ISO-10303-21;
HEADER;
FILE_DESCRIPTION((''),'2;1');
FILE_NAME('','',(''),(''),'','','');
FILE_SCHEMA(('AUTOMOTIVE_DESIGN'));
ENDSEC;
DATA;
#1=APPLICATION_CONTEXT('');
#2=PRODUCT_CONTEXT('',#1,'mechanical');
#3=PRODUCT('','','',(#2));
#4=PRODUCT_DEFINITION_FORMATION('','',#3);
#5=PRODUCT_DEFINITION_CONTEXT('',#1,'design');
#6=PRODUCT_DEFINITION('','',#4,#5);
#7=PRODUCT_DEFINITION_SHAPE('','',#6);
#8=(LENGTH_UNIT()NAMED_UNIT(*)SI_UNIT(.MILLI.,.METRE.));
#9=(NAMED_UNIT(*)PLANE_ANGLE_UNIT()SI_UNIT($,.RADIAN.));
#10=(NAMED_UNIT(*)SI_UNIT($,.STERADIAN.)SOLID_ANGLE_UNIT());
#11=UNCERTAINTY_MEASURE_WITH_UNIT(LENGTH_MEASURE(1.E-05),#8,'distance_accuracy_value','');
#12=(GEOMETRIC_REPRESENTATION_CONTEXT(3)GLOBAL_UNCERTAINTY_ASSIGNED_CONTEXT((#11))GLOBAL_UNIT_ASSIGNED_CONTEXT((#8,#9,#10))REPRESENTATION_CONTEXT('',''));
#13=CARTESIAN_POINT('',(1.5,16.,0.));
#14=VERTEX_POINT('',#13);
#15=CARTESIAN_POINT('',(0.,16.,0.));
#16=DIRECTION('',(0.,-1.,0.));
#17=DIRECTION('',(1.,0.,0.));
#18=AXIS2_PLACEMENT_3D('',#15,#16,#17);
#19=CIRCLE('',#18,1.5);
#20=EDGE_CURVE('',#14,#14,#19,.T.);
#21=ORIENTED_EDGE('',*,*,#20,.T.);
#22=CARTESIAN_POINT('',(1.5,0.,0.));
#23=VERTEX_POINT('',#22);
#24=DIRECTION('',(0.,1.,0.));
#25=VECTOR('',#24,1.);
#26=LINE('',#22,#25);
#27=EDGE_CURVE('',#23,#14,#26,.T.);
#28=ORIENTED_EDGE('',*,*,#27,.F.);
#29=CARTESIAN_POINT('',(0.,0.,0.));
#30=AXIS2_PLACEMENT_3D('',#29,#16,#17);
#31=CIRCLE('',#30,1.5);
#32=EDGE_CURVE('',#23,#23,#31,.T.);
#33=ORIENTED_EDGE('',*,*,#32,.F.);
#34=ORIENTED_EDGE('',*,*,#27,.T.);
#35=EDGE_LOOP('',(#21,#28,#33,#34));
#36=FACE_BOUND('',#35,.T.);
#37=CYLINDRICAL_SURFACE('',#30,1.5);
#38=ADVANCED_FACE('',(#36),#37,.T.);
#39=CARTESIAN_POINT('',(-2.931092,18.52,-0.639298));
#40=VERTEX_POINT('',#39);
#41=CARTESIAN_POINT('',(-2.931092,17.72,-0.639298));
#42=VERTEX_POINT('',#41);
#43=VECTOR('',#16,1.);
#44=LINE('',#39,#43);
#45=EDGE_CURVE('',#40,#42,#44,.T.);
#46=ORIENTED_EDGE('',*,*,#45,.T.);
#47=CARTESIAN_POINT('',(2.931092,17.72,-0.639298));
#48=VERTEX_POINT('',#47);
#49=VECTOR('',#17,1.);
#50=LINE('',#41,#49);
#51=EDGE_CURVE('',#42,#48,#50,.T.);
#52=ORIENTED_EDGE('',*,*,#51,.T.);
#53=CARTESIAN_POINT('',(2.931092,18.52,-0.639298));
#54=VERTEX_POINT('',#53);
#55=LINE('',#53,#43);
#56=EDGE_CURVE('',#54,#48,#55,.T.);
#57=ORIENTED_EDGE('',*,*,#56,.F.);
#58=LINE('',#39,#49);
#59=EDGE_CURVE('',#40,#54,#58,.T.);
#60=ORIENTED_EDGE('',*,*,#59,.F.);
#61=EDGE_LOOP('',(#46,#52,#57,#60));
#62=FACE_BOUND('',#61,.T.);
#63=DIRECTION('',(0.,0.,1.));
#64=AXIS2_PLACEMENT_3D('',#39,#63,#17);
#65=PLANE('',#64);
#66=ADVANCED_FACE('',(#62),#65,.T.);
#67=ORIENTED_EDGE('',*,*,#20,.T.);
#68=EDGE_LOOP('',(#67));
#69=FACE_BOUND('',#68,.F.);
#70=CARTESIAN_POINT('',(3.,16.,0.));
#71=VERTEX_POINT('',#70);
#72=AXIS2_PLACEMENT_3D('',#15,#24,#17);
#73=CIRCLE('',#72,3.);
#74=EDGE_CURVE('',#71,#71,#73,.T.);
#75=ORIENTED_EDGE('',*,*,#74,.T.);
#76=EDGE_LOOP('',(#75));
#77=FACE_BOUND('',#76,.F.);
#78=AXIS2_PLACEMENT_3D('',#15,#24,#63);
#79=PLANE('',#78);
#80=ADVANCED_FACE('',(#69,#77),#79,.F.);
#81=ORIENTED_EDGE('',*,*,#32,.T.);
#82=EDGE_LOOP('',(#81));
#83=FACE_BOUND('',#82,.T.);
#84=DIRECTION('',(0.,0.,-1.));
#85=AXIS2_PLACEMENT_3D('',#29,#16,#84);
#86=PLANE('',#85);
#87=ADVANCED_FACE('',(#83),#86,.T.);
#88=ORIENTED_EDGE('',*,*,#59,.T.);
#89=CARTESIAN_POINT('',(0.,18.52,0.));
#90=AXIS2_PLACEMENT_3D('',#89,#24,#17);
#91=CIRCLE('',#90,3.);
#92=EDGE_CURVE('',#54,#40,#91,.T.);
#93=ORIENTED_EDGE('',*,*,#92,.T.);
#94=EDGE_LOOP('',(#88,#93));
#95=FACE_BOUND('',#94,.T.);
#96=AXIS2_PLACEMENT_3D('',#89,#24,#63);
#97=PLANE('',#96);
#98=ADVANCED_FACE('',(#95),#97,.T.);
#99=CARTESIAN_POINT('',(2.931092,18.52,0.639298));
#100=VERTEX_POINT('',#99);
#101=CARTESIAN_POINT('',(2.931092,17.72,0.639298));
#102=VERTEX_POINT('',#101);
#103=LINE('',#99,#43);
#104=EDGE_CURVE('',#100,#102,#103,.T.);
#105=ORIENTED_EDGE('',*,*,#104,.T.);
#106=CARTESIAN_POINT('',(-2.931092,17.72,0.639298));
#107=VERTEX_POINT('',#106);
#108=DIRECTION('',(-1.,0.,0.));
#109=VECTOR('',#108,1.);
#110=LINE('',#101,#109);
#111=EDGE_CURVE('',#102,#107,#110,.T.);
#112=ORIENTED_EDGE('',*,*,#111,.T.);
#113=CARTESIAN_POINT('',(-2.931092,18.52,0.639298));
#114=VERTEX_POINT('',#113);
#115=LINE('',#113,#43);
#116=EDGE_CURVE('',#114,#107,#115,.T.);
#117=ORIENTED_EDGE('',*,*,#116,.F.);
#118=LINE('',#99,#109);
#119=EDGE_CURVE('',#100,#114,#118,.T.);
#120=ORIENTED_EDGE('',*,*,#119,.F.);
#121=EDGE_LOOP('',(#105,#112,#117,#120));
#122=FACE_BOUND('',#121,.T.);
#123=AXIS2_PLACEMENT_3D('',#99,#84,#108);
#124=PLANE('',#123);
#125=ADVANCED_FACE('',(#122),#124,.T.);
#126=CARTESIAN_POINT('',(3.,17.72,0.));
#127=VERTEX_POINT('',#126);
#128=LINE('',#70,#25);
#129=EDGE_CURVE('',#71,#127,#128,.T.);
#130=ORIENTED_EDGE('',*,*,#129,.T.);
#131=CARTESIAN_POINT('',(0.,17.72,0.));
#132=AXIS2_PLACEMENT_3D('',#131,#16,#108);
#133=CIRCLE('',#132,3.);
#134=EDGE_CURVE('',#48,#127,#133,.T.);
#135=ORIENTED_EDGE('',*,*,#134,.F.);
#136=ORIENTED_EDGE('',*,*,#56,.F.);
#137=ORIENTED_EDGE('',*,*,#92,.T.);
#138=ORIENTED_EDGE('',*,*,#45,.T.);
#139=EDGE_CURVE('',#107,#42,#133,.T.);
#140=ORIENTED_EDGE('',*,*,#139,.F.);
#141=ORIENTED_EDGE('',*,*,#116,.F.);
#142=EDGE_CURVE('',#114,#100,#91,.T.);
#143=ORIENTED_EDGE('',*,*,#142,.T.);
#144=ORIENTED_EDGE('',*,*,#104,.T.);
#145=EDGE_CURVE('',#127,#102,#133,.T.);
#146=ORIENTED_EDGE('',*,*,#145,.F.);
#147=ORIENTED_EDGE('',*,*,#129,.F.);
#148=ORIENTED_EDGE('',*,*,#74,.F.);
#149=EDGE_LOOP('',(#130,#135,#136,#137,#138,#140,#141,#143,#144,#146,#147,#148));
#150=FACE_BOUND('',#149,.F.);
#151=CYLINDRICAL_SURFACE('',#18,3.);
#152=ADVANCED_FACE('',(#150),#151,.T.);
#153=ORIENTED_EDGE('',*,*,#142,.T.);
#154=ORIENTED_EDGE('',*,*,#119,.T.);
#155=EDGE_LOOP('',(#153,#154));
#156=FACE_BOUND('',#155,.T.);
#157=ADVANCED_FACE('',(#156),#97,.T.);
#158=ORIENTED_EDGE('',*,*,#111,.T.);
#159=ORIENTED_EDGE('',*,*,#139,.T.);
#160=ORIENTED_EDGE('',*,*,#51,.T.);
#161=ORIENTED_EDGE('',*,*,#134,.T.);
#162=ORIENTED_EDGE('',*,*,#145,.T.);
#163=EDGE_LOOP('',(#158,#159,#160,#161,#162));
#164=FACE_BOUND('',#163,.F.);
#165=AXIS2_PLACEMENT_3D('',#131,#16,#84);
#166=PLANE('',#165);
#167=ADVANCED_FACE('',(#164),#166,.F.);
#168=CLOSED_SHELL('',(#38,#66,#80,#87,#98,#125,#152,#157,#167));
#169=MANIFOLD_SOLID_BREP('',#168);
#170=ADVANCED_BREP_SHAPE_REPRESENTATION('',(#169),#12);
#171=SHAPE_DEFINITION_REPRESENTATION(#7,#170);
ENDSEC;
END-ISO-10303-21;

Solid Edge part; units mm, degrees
sketch "Sketch1" plane through (0, 0, 0) normal (0, -1, 0) x (1, 0, 0)
  circle A0 centre (0, 0) radius 1.5
extrude "Protrusion1" add sketch "Sketch1" against normal blind 16
sketch "Sketch2" plane through (0, 16, 0) normal (0, 1, 0) x (1, 0, 0)
  circle A0 centre (0, 0) radius 3
extrude "ExtrudedProtrusion_2" add sketch "Sketch2" along normal blind 2.52
sketch "Sketch3" plane through (0, 18.52, 0) normal (0, 1, 0) x (-1, 0, 0)
  line L0 (-2.9311, 0.6393) -> (2.9311, 0.6393)
  arc A0 (2.9311, 0.6393) -> (2.9311, -0.6393) centre (0, 0) cw
  line L1 (2.9311, -0.6393) -> (-2.9311, -0.6393)
  arc A1 (-2.9311, -0.6393) -> (-2.9311, 0.6393) centre (0, 0) cw
extrude "ExtrudedCutout_1" cut sketch "Sketch3" against normal blind 0.8
cosmetic_thread "Thread1" size "M3"
properties material "Nylon, general purpose"
